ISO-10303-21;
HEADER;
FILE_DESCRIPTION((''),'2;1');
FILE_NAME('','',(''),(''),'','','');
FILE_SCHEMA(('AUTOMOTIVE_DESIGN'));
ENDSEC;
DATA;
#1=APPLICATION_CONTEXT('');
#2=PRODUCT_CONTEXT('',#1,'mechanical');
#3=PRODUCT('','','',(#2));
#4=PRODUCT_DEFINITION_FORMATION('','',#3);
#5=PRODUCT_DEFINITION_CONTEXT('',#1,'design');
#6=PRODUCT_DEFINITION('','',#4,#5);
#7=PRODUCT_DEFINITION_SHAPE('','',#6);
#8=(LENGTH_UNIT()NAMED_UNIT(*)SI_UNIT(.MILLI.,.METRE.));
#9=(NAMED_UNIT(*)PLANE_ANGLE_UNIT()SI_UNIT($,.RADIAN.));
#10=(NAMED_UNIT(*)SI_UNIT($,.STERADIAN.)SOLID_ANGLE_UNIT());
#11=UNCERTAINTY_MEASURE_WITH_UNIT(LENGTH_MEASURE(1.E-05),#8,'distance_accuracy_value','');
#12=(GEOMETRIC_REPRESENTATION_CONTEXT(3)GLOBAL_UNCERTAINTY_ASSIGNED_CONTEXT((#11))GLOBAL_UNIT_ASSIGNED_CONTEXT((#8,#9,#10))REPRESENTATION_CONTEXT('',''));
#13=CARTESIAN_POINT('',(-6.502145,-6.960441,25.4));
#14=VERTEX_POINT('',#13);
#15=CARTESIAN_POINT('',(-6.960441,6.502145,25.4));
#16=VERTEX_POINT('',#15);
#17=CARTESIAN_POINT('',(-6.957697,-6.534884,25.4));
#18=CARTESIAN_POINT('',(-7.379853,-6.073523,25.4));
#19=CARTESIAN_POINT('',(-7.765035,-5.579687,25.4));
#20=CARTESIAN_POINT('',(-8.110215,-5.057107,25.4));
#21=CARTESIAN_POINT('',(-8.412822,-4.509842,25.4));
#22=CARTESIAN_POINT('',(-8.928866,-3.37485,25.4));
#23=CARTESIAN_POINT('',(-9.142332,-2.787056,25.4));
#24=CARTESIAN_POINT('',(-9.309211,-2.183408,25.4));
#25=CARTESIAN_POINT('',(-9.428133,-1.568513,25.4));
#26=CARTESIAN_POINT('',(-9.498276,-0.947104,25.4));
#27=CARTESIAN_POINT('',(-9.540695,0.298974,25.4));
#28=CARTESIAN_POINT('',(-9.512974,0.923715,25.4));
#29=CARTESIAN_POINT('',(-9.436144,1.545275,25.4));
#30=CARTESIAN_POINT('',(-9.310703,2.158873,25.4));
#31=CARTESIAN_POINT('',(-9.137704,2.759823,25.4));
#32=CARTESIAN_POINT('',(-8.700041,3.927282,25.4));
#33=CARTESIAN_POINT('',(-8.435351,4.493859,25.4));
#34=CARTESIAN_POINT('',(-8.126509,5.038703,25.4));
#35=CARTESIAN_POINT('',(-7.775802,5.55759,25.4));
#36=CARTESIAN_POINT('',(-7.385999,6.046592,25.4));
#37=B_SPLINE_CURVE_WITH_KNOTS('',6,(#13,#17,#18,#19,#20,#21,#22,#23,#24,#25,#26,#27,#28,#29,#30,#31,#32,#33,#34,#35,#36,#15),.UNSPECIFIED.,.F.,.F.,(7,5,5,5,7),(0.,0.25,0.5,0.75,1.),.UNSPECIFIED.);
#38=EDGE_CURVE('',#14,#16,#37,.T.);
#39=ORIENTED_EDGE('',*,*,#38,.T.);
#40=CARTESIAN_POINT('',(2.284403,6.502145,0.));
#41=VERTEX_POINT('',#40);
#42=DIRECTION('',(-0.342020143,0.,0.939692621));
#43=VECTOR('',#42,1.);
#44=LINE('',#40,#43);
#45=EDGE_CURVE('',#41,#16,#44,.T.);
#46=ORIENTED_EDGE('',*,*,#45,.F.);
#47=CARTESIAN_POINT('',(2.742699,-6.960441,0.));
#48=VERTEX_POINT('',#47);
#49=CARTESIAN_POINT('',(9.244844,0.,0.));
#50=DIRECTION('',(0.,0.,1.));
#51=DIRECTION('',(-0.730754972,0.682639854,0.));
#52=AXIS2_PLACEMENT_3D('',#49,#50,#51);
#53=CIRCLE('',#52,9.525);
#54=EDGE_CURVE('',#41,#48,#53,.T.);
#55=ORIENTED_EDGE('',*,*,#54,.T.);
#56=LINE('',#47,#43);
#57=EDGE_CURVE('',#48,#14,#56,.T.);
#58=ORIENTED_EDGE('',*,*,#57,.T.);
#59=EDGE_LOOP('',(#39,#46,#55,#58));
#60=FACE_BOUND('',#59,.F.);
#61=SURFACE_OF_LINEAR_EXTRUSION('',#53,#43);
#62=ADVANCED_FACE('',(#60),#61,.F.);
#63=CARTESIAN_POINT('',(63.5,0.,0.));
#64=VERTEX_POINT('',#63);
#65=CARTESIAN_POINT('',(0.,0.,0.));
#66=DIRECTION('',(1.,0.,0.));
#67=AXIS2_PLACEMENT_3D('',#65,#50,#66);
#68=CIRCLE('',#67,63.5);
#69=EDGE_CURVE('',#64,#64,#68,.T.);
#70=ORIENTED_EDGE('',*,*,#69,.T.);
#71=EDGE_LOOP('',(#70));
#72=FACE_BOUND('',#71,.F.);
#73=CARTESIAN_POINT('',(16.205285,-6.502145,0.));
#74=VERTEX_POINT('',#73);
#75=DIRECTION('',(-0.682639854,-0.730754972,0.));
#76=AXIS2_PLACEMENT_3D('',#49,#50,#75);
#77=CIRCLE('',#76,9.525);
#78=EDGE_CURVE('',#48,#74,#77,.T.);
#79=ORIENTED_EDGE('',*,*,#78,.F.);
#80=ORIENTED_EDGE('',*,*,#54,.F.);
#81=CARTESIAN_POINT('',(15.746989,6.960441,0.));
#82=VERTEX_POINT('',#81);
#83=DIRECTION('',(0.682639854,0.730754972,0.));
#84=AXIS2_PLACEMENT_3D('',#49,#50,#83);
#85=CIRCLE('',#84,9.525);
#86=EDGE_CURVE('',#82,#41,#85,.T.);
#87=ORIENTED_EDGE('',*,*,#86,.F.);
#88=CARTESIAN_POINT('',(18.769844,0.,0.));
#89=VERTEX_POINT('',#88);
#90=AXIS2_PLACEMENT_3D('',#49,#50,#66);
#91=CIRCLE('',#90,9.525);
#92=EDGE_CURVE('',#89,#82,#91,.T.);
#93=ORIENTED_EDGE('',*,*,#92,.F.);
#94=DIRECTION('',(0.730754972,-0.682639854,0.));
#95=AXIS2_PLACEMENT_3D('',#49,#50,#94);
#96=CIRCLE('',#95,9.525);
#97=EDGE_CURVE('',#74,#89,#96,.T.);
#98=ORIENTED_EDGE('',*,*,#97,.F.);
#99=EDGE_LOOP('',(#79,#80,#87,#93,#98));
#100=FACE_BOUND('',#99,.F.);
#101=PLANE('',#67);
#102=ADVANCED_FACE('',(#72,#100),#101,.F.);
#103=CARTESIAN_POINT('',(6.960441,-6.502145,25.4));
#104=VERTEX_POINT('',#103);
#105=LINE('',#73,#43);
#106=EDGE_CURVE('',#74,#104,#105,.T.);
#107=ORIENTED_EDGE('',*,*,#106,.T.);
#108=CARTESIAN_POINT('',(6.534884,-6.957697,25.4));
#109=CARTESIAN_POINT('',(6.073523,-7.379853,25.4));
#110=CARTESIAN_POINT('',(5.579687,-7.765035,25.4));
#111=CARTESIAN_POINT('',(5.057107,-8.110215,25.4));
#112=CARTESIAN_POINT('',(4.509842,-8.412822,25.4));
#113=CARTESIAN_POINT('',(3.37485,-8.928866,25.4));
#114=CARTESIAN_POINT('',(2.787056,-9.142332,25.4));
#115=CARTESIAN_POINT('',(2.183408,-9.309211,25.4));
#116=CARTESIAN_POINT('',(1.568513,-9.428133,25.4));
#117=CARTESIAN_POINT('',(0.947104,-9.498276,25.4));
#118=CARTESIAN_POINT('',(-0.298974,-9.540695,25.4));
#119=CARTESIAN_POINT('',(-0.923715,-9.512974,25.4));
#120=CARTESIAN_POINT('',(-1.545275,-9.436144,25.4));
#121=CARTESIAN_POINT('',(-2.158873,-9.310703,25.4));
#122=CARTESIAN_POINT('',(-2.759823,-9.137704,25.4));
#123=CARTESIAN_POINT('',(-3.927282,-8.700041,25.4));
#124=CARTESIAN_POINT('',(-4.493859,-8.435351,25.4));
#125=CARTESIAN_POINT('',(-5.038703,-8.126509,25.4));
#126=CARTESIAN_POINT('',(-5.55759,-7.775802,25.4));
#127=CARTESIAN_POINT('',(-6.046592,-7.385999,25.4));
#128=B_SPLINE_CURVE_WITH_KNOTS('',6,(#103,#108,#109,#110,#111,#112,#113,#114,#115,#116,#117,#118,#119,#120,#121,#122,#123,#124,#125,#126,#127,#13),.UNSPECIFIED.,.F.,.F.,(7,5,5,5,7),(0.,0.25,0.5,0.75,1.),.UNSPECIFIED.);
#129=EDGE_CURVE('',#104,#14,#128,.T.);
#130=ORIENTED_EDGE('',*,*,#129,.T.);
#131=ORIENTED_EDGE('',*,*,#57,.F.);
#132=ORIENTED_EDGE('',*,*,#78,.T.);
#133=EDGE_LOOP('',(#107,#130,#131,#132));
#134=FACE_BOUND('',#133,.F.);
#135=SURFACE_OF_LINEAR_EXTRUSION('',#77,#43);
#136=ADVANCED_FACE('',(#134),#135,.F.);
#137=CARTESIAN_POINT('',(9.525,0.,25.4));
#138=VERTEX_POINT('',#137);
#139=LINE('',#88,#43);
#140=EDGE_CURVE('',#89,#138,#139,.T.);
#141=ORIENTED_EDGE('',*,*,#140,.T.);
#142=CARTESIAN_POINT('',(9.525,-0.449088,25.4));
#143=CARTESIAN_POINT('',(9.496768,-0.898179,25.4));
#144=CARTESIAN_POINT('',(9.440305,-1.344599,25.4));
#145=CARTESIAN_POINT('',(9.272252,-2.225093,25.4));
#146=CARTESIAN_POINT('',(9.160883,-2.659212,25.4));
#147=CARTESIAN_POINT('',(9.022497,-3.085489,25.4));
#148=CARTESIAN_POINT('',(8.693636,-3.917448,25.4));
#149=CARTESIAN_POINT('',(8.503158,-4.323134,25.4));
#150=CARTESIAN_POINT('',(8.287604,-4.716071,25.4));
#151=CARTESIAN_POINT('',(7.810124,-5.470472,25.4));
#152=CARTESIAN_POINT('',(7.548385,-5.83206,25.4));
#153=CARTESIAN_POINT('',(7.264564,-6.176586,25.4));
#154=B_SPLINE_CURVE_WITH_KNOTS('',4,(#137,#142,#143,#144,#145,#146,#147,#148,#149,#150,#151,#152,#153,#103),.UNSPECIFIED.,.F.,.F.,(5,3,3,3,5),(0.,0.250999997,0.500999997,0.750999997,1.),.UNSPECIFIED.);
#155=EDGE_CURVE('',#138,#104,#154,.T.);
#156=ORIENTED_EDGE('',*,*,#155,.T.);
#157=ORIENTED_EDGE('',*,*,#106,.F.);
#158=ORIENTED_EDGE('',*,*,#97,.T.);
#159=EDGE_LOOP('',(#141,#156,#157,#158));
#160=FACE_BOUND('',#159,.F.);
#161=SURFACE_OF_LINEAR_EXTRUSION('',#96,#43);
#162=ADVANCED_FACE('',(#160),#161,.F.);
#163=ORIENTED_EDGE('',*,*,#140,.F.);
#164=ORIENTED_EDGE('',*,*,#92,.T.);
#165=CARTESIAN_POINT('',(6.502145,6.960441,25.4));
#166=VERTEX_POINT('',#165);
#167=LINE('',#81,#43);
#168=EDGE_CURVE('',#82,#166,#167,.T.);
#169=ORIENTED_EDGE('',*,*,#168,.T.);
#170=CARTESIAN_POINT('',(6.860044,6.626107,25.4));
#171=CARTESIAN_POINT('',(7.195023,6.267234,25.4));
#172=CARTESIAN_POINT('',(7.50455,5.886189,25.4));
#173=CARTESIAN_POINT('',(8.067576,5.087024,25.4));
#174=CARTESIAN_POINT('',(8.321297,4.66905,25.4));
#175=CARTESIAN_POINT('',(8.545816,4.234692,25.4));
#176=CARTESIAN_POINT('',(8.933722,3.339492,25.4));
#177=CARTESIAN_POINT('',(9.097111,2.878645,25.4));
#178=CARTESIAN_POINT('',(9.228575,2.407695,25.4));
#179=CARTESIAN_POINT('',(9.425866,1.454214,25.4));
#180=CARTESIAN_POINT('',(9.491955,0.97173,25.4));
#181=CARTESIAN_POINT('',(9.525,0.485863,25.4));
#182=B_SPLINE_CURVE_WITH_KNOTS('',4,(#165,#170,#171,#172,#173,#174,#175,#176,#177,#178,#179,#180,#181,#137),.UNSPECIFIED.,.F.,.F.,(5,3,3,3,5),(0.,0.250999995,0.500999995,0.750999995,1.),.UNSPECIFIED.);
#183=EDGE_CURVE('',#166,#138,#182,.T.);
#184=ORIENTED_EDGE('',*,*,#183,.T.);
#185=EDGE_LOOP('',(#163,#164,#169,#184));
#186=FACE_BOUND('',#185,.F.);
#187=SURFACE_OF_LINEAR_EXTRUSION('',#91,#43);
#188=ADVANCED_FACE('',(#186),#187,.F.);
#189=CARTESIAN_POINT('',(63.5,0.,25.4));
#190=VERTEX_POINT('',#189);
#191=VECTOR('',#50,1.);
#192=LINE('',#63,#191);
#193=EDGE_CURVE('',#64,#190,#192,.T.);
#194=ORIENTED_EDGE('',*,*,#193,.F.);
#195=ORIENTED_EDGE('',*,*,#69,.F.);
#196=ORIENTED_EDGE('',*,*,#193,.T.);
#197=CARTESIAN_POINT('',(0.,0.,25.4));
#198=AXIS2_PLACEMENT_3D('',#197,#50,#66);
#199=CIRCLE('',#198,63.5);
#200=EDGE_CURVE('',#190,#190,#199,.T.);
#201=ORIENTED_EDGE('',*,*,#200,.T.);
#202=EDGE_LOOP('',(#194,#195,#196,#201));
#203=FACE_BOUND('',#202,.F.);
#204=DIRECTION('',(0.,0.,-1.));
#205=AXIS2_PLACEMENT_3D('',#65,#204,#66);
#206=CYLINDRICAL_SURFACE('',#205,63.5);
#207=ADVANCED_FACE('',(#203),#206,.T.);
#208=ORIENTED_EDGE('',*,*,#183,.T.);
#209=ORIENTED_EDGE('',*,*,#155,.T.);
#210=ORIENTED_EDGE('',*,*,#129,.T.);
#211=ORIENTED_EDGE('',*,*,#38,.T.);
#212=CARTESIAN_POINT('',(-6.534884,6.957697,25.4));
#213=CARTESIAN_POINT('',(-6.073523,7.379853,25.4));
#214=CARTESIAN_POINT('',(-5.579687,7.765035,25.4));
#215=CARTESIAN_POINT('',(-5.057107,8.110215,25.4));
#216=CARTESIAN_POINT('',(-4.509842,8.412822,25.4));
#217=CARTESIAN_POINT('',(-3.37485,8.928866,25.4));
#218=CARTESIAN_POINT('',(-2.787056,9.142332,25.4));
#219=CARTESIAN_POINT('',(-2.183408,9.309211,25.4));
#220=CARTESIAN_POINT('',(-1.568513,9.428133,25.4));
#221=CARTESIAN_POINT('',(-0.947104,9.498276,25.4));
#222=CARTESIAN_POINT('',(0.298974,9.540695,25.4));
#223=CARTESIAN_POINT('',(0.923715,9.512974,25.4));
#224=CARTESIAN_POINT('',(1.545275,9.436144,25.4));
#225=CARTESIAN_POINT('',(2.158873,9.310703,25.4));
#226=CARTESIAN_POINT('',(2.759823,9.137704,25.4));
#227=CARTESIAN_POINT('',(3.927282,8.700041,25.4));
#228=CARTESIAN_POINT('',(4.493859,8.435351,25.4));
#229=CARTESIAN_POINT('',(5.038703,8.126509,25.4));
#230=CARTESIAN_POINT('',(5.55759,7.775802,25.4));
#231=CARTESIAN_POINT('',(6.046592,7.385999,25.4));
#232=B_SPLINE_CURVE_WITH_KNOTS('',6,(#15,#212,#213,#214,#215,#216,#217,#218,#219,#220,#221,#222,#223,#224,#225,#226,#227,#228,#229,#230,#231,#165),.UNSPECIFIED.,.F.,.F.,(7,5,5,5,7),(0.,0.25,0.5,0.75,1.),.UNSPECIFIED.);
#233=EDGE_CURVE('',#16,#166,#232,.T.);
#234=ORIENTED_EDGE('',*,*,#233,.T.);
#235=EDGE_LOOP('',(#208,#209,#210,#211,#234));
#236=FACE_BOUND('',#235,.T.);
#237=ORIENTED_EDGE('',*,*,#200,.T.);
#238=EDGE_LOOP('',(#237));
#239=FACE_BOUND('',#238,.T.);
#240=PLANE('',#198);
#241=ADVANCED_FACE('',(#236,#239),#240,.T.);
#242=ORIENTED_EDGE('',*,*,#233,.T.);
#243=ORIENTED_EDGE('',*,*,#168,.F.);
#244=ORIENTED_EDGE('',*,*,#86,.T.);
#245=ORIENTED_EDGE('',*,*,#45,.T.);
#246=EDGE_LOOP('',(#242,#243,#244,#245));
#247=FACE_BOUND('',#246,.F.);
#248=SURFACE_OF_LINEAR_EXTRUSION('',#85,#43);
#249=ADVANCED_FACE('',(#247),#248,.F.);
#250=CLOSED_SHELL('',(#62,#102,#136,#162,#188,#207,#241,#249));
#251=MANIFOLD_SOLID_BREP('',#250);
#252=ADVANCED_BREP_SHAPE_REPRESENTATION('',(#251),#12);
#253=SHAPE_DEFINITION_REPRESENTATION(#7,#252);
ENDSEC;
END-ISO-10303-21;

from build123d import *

# Parameters (mm, degrees)
F0_R     = 63.5
F1_DEPTH = 25.4


with BuildPart() as f1:
    # F0 (on Top) → F1 (new body)
    with BuildSketch(Plane.XY):
        Circle(F0_R)
    extrude(amount=F1_DEPTH)

    # F5: sweep along a path in F4
    with BuildLine(Plane.XZ.offset(63.5)) as f5_path:
        Line((9.4091071018, 0), (0, 25.8513092995))
    # F2 (on face) → F5 (sweep, cut)
    with BuildSketch(Plane.XY.offset(25.4)):
        with BuildLine():
            Line((6.5021446088, 6.9604411129), (0, 0))
            Line((0, 0), (6.9604411129, -6.5021446088))
            ThreePointArc((6.9604411129, -6.5021446088), (8.8606948543, -3.4948121122), (9.525, 0))
            ThreePointArc((9.525, 0), (8.736662761, 3.7942520739), (6.5021446088, 6.9604411129))
        make_face()
        with BuildLine():
            Line((-6.9604411129, 6.5021446088), (0, 0))
            Line((0, 0), (6.5021446088, 6.9604411129))
            ThreePointArc((6.5021446088, 6.9604411129), (-0.3240645658, 9.5194856561), (-6.9604411129, 6.5021446088))
        make_face()
        with BuildLine():
            Line((-6.5021446088, -6.9604411129), (0, 0))
            Line((0, 0), (-6.9604411129, 6.5021446088))
            ThreePointArc((-6.9604411129, 6.5021446088), (-9.5194856561, -0.3240645658), (-6.5021446088, -6.9604411129))
        make_face()
        with BuildLine():
            Line((6.9604411129, -6.5021446088), (0, 0))
            Line((0, 0), (-6.5021446088, -6.9604411129))
            ThreePointArc((-6.5021446088, -6.9604411129), (0.3240645658, -9.5194856561), (6.9604411129, -6.5021446088))
        make_face()
    sweep(path=f5_path.line, mode=Mode.SUBTRACT)


solid = f1.part
